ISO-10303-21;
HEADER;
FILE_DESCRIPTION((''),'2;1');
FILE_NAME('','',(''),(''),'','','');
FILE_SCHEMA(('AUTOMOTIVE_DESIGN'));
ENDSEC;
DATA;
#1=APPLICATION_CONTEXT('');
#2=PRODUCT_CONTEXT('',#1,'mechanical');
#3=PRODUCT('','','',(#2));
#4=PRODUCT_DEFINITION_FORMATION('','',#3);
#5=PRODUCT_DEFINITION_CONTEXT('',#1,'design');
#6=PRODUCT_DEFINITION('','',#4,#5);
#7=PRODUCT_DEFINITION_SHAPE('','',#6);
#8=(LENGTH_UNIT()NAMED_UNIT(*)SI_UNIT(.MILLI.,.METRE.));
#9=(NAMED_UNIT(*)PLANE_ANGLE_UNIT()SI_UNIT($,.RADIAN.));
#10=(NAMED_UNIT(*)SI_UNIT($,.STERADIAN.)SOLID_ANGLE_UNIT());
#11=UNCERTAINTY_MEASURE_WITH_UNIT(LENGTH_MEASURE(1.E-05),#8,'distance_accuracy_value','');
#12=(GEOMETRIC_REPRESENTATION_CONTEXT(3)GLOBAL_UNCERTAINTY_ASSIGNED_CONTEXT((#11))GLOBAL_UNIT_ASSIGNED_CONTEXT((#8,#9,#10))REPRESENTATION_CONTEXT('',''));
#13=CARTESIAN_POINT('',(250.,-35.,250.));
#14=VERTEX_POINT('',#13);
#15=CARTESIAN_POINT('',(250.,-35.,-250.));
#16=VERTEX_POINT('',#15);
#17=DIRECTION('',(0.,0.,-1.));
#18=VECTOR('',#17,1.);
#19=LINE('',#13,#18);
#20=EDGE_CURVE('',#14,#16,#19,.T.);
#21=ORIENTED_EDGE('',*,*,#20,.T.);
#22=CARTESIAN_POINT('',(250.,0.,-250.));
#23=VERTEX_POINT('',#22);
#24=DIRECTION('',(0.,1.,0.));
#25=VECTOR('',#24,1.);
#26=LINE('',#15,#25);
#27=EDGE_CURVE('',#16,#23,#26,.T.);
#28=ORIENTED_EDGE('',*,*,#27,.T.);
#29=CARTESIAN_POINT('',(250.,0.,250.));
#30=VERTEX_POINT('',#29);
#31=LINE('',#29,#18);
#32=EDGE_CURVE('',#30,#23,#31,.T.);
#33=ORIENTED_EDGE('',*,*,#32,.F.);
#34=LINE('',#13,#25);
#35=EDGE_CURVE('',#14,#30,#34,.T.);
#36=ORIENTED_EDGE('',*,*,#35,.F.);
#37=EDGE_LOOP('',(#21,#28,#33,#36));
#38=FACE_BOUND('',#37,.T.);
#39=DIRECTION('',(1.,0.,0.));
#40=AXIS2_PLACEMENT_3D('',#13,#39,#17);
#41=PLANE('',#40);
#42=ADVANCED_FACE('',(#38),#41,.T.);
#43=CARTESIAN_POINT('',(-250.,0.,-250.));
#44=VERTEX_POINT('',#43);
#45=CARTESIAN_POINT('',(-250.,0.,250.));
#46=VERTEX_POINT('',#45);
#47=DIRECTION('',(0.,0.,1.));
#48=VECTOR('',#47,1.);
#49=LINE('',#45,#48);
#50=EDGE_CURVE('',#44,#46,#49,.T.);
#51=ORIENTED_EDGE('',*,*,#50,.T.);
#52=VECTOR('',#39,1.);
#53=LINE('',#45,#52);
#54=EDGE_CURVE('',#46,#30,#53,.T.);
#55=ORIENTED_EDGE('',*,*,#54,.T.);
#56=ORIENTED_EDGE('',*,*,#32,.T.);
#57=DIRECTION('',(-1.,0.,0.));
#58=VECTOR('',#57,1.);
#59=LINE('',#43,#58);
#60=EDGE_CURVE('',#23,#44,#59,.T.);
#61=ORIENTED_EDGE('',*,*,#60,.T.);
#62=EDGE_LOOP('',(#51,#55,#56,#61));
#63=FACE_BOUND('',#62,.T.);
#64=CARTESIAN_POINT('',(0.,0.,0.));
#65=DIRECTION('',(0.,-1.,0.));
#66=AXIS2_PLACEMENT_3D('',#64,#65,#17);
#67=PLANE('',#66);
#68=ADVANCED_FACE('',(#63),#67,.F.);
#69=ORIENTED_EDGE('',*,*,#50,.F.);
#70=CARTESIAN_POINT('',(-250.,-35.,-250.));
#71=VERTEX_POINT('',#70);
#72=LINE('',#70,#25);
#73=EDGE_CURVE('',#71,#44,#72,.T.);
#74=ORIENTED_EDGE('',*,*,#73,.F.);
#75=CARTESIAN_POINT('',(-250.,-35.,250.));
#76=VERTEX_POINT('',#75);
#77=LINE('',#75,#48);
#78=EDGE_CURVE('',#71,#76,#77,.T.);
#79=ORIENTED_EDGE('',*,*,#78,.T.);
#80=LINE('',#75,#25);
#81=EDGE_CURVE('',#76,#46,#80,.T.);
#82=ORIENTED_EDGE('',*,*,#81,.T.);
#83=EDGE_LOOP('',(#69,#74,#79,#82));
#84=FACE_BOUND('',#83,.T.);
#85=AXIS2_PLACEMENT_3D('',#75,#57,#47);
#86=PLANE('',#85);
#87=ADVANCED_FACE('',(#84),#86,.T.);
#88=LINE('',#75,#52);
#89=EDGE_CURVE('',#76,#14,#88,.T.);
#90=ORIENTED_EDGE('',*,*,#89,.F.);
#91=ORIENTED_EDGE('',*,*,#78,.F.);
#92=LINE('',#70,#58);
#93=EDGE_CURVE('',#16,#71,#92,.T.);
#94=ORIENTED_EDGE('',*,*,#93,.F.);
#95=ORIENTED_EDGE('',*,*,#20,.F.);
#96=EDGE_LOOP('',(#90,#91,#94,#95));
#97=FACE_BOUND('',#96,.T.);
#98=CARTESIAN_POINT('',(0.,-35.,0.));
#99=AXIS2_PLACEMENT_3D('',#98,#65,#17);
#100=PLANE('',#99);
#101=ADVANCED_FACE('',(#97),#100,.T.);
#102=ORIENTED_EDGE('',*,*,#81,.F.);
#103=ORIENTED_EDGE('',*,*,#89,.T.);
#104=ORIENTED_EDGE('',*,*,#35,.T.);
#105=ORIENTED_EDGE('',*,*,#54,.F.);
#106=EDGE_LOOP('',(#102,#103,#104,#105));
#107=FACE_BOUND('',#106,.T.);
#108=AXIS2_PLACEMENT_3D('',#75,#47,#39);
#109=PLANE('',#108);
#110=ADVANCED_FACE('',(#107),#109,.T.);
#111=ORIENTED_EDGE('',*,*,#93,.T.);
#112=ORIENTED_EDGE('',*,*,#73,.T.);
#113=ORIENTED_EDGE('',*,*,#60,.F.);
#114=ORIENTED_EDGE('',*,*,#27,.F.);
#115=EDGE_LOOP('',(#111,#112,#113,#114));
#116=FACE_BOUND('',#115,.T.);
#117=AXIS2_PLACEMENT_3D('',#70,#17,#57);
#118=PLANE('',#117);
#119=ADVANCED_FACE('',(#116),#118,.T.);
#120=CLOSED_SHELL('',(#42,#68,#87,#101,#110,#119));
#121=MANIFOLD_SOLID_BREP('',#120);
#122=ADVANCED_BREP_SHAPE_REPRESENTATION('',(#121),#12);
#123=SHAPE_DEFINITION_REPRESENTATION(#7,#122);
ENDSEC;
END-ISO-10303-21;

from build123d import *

# Parameters (mm, degrees)
ESQUISSE1_W        = 500
ESQUISSE1_H        = 500
BOSS_EXTRU_1_DEPTH = 35


with BuildPart() as part:
    # Esquisse1 → Boss.-Extru.1 (new body)
    with BuildSketch(Plane(origin=(0, 0, 0), x_dir=(1, 0, 0), z_dir=(0, 1, 0))):
        Rectangle(ESQUISSE1_W, ESQUISSE1_H)
    extrude(amount=-BOSS_EXTRU_1_DEPTH)


solid = part.part
